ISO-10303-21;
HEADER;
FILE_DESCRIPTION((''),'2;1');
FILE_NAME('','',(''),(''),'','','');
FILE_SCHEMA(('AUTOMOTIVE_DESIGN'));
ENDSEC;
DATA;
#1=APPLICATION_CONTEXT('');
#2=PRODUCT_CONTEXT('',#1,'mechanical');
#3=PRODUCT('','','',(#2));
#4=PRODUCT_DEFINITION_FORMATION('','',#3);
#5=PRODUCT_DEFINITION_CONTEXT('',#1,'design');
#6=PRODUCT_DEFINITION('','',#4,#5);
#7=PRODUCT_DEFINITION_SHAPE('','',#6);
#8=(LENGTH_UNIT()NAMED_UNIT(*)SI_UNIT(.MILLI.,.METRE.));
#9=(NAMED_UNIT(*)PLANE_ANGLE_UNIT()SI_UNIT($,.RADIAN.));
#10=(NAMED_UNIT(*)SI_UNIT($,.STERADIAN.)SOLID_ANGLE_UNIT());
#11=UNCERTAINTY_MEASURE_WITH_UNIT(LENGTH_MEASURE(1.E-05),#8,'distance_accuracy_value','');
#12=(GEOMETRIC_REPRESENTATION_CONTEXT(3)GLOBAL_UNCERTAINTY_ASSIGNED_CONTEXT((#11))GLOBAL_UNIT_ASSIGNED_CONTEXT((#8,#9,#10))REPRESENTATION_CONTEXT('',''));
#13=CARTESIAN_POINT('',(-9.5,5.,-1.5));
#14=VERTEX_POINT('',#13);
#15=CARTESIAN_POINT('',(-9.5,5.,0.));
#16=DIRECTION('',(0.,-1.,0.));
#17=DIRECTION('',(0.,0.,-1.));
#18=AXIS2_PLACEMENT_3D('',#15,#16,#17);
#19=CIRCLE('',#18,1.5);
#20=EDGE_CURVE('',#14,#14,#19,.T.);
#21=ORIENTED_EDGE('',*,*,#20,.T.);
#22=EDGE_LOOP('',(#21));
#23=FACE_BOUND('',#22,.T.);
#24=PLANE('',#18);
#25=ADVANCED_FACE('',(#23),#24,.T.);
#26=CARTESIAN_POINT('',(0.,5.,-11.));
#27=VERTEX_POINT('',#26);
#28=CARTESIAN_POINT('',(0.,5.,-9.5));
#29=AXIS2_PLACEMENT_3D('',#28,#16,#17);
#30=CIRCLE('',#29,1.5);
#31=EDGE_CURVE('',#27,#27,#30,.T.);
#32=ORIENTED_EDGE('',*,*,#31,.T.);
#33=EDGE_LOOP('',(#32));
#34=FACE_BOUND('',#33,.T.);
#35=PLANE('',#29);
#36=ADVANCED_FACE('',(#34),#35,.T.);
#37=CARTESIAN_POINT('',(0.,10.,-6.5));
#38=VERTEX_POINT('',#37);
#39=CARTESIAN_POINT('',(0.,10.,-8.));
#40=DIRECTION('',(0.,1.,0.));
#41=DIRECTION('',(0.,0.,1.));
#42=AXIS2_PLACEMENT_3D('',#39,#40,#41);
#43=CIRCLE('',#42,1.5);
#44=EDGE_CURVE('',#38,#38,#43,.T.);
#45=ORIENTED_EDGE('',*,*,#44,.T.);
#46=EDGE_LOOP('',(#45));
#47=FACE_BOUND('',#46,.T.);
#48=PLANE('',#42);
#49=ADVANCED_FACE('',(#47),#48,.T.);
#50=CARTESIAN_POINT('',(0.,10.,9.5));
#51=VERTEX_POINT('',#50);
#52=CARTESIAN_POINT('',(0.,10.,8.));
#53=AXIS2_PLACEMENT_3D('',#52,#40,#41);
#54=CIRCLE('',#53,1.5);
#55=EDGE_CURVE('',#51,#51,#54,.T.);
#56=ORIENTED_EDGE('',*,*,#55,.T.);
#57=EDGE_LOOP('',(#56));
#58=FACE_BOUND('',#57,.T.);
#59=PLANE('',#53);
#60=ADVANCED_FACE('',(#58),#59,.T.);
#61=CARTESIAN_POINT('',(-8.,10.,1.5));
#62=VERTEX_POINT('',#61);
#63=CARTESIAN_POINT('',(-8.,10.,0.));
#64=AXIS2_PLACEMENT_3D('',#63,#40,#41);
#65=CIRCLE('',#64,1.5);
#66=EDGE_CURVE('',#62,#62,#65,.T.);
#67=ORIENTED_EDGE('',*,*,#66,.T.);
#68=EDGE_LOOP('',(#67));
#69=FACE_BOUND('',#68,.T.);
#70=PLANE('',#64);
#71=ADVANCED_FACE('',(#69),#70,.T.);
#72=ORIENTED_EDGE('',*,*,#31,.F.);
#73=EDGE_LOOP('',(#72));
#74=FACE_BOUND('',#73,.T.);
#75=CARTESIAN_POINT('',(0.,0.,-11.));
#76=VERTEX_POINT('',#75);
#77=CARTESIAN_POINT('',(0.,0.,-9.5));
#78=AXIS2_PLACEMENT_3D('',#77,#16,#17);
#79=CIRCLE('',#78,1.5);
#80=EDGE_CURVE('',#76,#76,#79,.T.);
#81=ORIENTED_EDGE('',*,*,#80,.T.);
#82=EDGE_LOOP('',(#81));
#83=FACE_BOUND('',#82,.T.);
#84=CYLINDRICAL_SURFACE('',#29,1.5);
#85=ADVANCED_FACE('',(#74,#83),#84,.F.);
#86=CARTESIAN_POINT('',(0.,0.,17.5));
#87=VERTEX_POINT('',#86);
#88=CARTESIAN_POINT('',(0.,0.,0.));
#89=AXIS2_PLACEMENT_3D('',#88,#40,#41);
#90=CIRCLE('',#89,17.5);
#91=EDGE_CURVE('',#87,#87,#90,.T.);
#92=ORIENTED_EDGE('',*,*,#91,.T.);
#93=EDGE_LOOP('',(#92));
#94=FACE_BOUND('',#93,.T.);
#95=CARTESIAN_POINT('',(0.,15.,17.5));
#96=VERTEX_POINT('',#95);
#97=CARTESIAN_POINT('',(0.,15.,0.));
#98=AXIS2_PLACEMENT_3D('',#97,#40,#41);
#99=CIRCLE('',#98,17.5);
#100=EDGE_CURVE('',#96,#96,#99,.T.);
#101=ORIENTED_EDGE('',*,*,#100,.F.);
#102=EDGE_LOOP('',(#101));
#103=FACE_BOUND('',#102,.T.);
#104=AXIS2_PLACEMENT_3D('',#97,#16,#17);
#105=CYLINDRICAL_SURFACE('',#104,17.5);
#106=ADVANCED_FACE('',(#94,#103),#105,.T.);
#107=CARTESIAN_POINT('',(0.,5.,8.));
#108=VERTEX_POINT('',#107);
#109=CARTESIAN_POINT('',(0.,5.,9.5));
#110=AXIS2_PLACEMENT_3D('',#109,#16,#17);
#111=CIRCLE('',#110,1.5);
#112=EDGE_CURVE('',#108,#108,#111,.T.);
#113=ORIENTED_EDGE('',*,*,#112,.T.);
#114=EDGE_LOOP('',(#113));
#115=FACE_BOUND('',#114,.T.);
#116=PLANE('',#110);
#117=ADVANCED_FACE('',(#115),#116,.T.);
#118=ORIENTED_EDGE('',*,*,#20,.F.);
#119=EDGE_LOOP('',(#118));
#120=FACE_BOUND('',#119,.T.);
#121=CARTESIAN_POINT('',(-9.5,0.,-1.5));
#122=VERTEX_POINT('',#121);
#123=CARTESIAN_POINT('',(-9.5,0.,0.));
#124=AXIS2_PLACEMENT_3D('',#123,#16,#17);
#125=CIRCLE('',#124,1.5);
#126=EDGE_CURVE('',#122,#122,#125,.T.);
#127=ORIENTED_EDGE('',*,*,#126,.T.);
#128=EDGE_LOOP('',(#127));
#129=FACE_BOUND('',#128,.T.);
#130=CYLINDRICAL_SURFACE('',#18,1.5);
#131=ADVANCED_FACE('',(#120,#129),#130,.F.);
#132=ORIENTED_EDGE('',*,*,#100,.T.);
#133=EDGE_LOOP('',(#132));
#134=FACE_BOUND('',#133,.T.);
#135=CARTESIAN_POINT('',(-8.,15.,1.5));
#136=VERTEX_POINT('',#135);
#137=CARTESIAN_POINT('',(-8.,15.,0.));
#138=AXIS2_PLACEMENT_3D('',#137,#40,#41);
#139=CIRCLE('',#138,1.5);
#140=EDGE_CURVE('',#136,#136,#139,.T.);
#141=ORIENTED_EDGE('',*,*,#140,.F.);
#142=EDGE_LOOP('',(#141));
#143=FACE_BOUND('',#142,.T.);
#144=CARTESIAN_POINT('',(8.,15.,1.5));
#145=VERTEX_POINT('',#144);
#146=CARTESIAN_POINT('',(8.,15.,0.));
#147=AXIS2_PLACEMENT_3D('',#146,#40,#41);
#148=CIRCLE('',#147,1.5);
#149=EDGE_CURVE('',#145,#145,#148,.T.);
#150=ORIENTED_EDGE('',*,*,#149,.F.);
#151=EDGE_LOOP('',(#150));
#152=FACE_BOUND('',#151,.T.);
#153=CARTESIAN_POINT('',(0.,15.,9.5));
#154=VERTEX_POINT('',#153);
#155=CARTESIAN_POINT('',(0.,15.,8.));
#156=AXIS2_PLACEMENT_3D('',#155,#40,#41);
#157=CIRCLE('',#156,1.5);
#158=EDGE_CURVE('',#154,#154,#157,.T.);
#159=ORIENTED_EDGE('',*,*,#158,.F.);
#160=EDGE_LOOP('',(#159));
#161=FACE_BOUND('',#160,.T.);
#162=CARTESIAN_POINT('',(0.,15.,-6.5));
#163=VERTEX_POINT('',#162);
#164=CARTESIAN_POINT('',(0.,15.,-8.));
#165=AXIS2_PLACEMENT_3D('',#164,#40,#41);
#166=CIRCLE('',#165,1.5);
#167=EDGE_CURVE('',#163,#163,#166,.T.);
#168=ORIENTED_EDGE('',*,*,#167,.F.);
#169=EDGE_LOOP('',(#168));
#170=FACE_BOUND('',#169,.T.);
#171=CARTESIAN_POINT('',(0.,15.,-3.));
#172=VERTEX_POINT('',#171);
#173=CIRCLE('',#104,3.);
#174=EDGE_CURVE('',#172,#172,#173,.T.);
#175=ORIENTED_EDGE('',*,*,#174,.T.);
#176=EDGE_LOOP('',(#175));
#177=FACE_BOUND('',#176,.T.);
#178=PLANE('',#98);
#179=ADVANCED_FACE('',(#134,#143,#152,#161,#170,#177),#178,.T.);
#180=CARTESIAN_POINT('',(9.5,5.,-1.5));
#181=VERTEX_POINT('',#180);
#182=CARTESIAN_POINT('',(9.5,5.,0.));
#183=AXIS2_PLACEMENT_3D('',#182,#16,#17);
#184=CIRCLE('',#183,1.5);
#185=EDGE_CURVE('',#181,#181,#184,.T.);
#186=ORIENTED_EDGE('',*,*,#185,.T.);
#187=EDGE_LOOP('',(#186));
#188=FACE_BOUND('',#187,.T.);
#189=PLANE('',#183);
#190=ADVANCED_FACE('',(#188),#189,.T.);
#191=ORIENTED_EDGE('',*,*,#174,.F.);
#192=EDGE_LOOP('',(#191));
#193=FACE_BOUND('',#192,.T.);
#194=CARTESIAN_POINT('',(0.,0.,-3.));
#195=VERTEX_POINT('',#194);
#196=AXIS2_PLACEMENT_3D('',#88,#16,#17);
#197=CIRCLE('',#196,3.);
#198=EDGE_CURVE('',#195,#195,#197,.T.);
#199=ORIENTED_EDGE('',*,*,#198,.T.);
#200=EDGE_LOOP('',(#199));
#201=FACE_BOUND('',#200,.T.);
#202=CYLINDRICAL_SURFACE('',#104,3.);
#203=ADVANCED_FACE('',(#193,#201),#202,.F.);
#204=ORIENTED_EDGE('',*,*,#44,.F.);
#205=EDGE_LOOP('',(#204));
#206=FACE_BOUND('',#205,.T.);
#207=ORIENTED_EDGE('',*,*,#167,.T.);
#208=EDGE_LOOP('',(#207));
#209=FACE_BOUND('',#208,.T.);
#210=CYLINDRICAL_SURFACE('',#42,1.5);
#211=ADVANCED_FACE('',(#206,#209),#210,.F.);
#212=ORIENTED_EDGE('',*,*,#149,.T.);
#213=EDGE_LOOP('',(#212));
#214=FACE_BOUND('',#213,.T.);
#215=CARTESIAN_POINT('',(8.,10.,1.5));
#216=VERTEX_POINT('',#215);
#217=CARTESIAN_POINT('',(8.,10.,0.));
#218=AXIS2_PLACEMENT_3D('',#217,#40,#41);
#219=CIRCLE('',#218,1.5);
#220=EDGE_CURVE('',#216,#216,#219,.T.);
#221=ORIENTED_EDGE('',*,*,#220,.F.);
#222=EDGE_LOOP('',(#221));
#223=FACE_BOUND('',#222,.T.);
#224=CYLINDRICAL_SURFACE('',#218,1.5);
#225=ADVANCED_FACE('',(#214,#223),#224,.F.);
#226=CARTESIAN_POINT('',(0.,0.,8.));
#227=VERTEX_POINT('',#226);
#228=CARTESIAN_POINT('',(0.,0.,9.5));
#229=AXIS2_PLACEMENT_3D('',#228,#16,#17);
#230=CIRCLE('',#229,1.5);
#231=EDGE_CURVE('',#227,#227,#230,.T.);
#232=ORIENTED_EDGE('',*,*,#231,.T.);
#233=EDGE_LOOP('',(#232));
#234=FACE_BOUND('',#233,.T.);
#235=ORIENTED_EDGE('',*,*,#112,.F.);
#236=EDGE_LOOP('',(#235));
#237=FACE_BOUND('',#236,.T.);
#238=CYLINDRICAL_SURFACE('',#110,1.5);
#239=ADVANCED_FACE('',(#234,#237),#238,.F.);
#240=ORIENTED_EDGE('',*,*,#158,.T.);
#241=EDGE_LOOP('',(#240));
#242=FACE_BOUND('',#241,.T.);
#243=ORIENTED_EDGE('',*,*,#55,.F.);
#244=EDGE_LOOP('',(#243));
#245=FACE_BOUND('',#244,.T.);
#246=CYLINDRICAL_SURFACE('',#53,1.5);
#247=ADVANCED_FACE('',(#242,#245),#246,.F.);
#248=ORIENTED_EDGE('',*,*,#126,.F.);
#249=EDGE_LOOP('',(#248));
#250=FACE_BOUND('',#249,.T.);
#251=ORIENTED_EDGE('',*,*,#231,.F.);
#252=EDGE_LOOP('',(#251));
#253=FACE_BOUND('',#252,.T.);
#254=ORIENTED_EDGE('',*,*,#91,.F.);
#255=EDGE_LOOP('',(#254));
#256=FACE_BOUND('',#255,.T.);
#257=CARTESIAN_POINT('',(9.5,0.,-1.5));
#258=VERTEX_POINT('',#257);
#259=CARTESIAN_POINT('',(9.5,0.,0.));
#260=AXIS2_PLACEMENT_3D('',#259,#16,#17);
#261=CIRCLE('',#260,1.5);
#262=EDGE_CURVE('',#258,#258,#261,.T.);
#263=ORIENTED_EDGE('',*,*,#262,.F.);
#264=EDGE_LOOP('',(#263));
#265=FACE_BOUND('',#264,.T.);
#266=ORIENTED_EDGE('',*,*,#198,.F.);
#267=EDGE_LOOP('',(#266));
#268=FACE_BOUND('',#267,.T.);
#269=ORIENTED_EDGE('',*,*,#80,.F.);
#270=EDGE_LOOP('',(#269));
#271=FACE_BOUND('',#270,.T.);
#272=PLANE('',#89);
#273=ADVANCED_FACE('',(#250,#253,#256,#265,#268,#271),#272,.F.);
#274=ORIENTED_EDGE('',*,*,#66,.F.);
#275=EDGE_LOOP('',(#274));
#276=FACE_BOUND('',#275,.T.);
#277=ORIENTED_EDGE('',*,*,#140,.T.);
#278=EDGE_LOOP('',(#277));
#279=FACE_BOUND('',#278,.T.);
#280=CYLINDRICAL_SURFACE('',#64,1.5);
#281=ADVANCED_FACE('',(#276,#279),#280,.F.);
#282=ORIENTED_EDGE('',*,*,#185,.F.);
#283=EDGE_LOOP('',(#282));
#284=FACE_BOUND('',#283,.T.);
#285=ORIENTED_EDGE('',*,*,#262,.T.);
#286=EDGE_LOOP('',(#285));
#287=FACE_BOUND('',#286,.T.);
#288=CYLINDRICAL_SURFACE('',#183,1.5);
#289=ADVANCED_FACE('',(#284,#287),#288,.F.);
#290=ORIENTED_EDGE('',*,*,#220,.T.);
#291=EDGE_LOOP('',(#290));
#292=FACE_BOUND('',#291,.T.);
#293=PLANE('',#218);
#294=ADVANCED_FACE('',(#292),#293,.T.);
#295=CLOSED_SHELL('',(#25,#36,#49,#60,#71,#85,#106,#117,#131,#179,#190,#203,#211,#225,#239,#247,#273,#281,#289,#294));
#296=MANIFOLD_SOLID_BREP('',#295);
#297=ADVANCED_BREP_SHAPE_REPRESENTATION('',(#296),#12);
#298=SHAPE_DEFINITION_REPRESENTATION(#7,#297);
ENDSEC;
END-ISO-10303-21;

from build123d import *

# Parameters (mm, degrees)
SKETCH_1_R          = 17.5
EXTRUDE_1_DEPTH     = 15
SKETCH_2_R          = 3
CUT_EXTRUDE_1_DEPTH = 16
SKETCH_3_R          = 1.5
CUT_EXTRUDE_2_DEPTH = 5
SKETCH_4_R          = 1.5
CUT_EXTRUDE_3_DEPTH = 5


with BuildPart() as part:
    # 草图1 → 凸台-拉伸1 (new body)
    with BuildSketch(Plane(origin=(0, 0, 0), x_dir=(1, 0, 0), z_dir=(0, 1, 0))):
        Circle(SKETCH_1_R)
    extrude(amount=EXTRUDE_1_DEPTH)

    # 草图2 → 切除-拉伸1 (cut, through all)
    with BuildSketch(Plane(origin=(0, 0, 0), x_dir=(-1, 0, 0), z_dir=(0, -1, 0))):
        Circle(SKETCH_2_R)
    extrude(amount=-CUT_EXTRUDE_1_DEPTH, mode=Mode.SUBTRACT)

    # 草图3 → 切除-拉伸2 (cut)
    with BuildSketch(Plane(origin=(0, 15, 0), x_dir=(1, 0, 0), z_dir=(0, 1, 0))):
        with Locations((0, 8)):
            Circle(SKETCH_3_R)
        with Locations((8, 0)):
            Circle(SKETCH_3_R)
        with Locations((0, -8)):
            Circle(SKETCH_3_R)
        with Locations((-8, 0)):
            Circle(SKETCH_3_R)
    extrude(amount=-CUT_EXTRUDE_2_DEPTH, mode=Mode.SUBTRACT)

    # 草图4 → 切除-拉伸3 (cut)
    with BuildSketch(Plane.XZ):
        with Locations((0, 9.5)):
            Circle(SKETCH_4_R)
        with Locations((9.5, 0)):
            Circle(SKETCH_4_R)
        with Locations((0, -9.5)):
            Circle(SKETCH_4_R)
        with Locations((-9.5, 0)):
            Circle(SKETCH_4_R)
    extrude(amount=-CUT_EXTRUDE_3_DEPTH, mode=Mode.SUBTRACT)


solid = part.part
